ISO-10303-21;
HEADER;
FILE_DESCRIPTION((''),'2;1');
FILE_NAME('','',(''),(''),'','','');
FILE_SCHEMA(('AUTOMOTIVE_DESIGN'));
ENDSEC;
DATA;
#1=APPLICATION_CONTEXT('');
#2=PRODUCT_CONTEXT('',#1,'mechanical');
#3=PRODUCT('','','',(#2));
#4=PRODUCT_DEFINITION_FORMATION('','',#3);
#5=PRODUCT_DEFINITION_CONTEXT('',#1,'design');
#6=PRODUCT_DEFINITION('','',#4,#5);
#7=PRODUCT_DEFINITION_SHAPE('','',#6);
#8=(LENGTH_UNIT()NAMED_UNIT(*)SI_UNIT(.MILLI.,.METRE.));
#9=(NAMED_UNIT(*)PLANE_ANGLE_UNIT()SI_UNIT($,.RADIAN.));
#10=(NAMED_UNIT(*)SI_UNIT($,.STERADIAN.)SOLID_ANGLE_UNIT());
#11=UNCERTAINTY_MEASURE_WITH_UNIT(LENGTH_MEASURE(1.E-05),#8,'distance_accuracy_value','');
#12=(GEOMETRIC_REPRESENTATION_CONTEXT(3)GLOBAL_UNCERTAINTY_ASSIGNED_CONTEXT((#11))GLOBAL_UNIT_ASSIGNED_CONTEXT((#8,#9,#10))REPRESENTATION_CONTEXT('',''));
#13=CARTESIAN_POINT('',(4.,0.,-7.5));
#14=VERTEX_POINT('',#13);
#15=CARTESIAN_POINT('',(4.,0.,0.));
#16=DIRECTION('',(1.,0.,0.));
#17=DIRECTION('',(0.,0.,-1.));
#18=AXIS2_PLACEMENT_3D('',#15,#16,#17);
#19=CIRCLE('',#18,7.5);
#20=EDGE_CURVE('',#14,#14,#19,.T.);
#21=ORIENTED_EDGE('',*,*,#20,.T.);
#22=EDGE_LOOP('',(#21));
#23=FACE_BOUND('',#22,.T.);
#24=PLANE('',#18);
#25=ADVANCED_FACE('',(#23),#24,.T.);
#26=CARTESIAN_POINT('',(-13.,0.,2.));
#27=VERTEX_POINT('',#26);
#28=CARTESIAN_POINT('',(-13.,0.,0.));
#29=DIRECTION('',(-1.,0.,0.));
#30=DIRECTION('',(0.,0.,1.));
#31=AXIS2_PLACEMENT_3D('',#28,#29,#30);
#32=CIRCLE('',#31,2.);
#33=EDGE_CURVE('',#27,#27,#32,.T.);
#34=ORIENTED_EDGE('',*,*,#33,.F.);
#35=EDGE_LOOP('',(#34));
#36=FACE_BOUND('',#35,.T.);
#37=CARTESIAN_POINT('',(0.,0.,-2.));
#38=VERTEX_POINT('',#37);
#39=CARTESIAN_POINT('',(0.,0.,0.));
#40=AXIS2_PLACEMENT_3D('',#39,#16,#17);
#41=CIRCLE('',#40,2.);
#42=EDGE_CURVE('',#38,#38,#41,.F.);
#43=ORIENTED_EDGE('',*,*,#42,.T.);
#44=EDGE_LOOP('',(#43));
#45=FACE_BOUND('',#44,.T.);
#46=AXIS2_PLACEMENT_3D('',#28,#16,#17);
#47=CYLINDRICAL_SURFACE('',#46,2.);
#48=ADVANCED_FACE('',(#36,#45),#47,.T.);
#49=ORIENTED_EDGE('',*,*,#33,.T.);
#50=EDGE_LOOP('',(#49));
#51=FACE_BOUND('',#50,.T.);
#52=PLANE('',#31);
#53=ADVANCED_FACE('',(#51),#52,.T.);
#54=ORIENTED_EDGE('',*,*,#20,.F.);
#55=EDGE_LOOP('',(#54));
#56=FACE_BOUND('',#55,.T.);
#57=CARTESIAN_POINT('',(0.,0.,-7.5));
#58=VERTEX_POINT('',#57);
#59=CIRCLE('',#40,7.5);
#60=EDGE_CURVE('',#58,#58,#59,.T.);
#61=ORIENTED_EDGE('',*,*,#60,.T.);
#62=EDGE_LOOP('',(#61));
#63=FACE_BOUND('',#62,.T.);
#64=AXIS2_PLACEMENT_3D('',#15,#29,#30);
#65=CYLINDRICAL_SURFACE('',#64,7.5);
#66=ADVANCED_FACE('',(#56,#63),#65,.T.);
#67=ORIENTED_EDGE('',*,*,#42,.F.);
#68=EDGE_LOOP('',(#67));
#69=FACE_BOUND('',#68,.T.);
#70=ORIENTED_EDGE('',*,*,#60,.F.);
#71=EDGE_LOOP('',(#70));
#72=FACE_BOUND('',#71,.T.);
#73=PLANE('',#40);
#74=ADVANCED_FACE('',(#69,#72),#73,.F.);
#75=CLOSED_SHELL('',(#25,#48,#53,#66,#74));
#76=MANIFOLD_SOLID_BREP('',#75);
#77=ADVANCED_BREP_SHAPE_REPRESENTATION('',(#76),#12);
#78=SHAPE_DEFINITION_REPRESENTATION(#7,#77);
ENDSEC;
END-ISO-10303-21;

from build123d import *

# Parameters (mm, degrees)
SKETCH1_R           = 7.5
BOSS_EXTRUDE1_DEPTH = 4
SKETCH2_R           = 2
BOSS_EXTRUDE3_DEPTH = 13


with BuildPart() as part:
    # Sketch1 → Boss-Extrude1 (new body)
    with BuildSketch(Plane(origin=(0, 0, 0), x_dir=(0, 0, -1), z_dir=(1, 0, 0))):
        Circle(SKETCH1_R)
    extrude(amount=BOSS_EXTRUDE1_DEPTH)

    # Sketch2 → Boss-Extrude3 (add)
    with BuildSketch(Plane.ZY):
        Circle(SKETCH2_R)
    extrude(amount=BOSS_EXTRUDE3_DEPTH)


solid = part.part
